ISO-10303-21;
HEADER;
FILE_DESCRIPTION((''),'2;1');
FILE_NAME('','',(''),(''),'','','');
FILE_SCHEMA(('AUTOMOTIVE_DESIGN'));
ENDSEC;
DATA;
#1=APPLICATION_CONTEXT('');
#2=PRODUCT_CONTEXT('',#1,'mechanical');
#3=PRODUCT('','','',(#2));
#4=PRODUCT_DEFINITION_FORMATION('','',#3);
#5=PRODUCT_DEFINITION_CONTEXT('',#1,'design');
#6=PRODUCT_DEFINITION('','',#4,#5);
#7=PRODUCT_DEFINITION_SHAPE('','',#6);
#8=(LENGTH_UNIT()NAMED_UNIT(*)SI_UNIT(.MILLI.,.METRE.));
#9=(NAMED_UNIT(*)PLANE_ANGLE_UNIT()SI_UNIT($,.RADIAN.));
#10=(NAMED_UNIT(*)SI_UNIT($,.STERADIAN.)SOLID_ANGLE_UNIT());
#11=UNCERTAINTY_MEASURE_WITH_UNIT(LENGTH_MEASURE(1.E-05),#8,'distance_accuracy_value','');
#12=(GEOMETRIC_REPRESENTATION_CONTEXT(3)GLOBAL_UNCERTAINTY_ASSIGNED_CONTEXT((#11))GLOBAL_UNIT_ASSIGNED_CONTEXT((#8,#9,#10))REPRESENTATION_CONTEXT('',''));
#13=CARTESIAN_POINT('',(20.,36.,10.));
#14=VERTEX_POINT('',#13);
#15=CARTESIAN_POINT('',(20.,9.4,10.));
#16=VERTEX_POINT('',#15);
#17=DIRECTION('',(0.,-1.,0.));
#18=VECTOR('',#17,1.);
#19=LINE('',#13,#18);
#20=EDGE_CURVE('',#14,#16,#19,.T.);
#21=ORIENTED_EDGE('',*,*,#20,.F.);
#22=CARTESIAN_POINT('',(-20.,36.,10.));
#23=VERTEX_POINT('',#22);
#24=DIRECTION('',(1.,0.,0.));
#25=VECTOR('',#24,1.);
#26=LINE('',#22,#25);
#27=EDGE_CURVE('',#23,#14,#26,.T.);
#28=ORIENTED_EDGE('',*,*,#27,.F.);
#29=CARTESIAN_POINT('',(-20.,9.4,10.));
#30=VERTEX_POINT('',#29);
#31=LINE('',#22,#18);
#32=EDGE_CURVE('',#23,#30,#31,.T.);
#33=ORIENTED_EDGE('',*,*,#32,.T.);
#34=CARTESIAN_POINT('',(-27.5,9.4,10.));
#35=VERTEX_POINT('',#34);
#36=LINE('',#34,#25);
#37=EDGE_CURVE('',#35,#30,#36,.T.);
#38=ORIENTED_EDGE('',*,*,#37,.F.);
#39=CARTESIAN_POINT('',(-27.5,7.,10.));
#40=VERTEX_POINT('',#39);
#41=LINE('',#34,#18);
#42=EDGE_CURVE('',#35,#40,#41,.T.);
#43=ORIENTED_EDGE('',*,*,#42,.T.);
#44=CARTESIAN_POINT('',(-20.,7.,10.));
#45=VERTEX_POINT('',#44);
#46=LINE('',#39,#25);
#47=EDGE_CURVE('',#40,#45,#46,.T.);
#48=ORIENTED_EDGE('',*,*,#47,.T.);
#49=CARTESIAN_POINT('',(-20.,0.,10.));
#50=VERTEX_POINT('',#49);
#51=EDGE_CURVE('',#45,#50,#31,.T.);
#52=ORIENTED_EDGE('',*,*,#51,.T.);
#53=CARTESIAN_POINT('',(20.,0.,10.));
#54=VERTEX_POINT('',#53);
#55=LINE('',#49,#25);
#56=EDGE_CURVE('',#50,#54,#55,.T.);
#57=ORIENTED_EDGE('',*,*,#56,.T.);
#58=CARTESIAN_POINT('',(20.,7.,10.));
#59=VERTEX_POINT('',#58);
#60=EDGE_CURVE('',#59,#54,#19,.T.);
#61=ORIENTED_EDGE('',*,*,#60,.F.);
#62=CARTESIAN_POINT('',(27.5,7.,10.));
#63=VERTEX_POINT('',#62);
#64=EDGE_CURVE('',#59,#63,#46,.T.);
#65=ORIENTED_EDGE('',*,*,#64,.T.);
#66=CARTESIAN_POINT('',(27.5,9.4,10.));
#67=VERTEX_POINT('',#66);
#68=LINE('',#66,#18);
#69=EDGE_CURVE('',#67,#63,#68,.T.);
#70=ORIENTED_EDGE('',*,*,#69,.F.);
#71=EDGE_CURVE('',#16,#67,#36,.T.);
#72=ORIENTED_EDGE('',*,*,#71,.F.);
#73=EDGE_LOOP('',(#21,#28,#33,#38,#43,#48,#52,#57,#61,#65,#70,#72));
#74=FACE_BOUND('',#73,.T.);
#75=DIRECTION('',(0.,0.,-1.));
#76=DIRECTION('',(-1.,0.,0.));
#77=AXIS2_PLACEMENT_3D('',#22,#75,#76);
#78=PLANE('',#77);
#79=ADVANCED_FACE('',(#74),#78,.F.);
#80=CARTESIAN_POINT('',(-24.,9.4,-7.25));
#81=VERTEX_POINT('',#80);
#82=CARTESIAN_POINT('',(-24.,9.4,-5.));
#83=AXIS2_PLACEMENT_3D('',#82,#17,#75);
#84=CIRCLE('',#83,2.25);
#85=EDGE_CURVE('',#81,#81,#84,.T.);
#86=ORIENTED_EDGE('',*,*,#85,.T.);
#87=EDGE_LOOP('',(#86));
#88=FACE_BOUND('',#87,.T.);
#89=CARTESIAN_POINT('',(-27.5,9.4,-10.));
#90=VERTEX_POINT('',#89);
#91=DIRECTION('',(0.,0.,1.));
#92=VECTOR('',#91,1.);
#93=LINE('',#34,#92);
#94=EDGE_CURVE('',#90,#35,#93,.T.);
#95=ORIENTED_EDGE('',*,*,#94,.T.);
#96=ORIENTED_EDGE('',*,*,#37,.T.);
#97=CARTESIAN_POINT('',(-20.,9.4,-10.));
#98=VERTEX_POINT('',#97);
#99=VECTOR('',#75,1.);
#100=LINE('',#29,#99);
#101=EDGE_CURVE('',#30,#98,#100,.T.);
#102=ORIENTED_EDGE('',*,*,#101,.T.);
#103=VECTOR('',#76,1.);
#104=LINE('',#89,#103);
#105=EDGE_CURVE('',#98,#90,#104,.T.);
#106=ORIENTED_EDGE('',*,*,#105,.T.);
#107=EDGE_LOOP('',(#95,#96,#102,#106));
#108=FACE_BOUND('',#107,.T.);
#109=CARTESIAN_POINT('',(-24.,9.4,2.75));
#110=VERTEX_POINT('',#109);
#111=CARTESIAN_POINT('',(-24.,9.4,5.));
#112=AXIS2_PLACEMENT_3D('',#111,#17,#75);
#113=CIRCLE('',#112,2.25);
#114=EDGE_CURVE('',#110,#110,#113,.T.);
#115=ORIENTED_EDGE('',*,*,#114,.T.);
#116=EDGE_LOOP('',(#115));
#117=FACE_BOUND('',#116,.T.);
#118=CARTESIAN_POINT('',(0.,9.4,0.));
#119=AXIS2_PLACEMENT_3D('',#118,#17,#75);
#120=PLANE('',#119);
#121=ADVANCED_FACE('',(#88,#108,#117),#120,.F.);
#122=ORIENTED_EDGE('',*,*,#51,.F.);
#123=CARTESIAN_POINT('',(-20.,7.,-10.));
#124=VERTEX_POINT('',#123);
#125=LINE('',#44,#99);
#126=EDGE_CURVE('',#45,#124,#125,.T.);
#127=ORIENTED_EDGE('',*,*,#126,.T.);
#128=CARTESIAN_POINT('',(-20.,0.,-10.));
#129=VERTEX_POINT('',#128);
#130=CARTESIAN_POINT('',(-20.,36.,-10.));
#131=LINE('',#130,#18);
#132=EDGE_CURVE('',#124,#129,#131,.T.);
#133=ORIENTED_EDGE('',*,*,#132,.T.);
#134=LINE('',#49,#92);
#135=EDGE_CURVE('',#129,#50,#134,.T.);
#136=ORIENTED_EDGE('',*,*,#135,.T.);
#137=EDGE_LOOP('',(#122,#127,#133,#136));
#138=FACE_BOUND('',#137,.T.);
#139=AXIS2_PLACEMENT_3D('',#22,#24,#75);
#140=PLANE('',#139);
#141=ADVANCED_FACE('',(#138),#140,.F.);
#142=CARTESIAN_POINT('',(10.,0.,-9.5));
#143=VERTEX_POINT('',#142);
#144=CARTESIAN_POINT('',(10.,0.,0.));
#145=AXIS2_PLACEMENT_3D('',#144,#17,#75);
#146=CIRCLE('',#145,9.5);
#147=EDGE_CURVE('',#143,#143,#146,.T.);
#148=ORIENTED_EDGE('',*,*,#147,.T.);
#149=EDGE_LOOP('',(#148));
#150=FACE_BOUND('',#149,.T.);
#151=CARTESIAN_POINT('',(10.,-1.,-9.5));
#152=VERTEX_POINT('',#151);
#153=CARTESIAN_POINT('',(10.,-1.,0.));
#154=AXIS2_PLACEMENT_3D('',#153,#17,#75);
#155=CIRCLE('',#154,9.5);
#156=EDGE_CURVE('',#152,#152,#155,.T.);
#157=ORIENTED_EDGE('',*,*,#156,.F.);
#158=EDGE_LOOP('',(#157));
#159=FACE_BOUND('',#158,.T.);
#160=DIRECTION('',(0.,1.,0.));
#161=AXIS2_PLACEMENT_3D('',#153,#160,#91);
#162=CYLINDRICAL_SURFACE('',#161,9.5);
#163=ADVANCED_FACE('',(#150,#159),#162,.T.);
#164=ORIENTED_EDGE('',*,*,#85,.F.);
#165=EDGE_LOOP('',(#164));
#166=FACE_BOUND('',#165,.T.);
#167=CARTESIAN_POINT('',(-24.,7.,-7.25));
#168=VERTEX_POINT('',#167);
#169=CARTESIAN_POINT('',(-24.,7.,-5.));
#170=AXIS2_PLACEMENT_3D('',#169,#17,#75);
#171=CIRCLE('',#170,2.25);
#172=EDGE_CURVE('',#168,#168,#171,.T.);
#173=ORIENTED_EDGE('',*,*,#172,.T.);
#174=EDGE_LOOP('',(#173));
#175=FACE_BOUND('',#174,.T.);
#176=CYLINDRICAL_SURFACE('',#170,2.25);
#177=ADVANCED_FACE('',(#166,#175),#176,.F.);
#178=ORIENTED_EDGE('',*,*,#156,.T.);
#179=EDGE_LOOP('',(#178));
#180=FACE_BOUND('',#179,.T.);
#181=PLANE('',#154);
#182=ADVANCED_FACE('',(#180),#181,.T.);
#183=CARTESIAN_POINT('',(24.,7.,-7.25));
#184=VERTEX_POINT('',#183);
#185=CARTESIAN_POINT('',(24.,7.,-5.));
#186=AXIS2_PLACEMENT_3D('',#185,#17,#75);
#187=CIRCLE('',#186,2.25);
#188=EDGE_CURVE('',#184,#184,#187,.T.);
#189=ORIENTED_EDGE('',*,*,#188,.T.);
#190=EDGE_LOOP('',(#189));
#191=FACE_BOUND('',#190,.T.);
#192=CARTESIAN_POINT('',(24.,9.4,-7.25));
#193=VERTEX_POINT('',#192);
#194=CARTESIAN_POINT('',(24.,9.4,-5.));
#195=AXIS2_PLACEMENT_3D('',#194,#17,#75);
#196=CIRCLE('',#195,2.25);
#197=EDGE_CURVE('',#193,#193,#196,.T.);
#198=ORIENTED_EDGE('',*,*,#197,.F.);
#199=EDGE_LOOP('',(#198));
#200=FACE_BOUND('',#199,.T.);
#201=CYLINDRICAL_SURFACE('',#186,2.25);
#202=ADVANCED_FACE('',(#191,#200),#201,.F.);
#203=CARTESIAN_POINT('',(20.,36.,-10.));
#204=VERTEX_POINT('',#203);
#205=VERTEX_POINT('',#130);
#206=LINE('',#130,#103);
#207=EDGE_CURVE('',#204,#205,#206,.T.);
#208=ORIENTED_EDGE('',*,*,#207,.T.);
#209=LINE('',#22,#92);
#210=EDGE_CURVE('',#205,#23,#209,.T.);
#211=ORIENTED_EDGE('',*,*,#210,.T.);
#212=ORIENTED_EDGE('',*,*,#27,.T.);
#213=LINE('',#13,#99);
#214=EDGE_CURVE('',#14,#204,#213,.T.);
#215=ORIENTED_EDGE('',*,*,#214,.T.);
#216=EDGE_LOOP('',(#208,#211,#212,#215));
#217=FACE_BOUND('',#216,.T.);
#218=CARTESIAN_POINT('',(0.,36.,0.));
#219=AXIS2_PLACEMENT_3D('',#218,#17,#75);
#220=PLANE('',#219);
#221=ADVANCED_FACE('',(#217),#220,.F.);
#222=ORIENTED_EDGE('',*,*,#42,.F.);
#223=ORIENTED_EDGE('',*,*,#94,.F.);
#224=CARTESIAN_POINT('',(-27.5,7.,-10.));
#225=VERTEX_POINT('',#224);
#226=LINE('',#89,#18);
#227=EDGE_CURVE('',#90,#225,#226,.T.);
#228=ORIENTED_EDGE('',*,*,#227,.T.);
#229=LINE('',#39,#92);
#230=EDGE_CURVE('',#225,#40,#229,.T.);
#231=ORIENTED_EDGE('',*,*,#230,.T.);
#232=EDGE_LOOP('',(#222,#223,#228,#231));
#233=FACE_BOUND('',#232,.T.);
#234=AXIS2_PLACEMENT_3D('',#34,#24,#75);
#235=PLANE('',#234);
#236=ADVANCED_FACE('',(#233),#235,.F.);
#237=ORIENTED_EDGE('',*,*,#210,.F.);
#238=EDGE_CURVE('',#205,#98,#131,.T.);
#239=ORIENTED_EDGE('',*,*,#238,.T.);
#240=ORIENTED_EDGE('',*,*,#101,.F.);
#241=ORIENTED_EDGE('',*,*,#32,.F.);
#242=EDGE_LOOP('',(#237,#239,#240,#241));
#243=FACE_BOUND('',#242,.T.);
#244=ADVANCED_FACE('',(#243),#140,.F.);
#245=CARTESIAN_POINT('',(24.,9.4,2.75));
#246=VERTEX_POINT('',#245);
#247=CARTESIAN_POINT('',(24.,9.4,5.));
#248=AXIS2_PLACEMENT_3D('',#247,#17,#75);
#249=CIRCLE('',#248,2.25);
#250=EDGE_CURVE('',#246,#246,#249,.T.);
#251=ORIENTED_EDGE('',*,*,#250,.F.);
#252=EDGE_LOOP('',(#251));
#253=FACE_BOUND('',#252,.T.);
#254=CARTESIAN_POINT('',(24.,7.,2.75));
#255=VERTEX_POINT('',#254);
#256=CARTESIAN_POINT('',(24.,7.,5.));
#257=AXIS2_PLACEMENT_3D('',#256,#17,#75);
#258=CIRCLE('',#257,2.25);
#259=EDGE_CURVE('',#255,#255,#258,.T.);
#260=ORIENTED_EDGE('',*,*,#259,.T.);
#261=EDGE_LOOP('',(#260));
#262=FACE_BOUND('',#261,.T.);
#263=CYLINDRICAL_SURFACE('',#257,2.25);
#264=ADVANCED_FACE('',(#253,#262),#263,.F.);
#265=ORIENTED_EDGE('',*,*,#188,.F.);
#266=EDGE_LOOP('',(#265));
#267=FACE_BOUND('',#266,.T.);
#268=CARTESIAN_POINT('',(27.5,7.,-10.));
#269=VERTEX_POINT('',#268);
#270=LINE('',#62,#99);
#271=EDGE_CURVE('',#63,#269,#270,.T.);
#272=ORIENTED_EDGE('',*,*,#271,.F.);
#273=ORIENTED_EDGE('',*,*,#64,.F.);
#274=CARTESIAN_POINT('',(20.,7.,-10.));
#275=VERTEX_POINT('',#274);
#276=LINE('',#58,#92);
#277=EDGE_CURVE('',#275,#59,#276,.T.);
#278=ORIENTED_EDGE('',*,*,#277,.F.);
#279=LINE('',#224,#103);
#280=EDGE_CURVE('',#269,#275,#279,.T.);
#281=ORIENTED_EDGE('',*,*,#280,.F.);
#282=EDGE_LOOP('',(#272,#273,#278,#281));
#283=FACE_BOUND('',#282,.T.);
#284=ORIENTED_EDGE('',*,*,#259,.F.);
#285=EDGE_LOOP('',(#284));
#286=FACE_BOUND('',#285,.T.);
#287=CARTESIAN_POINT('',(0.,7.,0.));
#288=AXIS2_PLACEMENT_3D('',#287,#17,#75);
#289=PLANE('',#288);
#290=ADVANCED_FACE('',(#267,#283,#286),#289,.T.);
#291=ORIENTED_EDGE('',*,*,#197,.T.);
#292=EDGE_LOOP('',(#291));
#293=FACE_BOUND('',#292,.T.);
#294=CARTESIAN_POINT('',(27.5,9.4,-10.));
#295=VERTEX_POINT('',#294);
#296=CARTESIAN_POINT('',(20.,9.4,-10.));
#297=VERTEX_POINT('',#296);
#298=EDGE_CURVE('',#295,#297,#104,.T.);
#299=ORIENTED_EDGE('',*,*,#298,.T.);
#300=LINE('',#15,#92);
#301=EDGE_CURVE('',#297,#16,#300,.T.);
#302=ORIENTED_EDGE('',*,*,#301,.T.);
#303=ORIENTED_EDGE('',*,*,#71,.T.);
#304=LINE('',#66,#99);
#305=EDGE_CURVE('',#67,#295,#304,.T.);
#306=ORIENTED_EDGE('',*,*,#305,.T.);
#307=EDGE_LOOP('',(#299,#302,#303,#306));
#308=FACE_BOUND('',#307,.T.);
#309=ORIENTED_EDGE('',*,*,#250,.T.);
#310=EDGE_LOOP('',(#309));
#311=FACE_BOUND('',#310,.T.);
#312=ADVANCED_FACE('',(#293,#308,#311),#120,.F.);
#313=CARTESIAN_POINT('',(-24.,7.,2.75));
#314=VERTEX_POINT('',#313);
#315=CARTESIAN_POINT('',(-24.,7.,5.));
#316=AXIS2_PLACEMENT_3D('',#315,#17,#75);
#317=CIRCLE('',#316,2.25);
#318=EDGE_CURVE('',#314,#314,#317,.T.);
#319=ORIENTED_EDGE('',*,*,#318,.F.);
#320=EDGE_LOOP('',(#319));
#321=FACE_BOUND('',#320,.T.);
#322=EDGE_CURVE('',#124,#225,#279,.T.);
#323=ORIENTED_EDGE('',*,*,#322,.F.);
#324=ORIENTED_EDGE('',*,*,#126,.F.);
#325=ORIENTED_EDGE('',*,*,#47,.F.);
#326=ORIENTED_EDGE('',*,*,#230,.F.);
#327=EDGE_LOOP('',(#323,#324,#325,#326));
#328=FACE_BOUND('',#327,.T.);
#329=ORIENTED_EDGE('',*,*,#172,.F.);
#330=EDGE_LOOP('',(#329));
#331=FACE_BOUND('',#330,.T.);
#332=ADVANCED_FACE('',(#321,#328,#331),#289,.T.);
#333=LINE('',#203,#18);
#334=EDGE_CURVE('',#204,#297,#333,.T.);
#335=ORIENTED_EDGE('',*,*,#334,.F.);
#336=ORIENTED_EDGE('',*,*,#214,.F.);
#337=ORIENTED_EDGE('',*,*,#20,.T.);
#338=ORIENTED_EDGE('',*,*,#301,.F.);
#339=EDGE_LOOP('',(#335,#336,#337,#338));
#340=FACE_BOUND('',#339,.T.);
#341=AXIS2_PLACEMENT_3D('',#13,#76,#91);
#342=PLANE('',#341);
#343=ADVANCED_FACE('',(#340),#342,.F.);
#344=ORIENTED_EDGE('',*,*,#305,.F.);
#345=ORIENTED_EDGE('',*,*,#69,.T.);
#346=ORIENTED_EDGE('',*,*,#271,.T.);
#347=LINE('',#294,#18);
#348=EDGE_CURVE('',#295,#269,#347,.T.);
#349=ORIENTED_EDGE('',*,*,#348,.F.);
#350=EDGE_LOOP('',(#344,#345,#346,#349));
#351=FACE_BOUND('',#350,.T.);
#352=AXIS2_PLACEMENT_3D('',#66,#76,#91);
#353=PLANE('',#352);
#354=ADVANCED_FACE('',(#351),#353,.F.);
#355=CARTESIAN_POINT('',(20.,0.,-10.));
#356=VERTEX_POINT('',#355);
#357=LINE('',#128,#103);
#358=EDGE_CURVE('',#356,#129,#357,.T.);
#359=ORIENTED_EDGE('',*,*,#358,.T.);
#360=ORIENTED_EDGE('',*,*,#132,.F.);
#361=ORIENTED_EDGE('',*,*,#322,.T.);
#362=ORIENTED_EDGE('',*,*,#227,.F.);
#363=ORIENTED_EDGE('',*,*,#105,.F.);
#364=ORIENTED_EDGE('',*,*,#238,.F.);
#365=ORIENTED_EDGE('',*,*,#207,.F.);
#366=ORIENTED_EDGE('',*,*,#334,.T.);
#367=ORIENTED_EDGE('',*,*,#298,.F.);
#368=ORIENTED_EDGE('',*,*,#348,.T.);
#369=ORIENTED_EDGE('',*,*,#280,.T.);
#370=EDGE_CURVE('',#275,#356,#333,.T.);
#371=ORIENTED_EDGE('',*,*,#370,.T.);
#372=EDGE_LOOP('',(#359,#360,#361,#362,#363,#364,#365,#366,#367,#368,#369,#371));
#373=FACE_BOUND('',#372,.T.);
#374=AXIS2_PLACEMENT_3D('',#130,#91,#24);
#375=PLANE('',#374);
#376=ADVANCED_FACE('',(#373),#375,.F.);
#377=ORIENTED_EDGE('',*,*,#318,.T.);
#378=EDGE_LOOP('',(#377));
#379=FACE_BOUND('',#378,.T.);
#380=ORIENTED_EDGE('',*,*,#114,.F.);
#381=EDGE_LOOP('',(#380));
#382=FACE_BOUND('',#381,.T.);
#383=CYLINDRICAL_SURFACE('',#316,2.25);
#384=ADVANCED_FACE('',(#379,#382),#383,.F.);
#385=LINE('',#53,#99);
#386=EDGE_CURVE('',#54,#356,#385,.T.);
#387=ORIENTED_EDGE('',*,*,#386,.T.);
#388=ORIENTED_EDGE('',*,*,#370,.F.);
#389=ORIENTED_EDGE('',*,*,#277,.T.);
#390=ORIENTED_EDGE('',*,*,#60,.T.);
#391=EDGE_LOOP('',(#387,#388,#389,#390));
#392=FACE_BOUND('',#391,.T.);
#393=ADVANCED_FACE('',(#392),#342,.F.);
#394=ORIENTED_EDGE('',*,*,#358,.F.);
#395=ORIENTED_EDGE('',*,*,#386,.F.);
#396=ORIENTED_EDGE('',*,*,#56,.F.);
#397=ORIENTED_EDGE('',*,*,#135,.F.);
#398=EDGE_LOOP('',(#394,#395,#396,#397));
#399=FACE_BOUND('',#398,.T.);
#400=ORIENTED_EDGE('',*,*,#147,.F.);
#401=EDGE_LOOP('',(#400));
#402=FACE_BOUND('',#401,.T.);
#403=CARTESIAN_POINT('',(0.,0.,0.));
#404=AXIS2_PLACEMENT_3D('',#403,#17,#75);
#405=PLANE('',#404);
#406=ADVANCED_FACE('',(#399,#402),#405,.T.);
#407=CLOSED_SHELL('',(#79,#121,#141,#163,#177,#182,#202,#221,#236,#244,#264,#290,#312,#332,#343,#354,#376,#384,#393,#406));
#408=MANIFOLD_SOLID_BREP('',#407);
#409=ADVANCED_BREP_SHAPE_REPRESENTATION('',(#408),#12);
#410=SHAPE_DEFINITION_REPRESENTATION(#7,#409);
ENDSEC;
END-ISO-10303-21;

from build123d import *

# Parameters (mm, degrees)
SKETCH1_W            = 40
SKETCH1_H            = 20
BOSS_EXTRUDE1_DEPTH  = 36
SKETCH2_W            = 55
SKETCH2_H            = 20
BOSS_EXTRUDE2_DEPTH  = 2.4
M4_CLEARANCE_HOLE1_D = 4.5
SKETCH5_R            = 9.5
BOSS_EXTRUDE3_DEPTH  = 1


with BuildPart() as part:
    # Sketch1 → Boss-Extrude1 (new body)
    with BuildSketch(Plane(origin=(0, 0, 0), x_dir=(1, 0, 0), z_dir=(0, 1, 0))):
        Rectangle(SKETCH1_W, SKETCH1_H)
    extrude(amount=BOSS_EXTRUDE1_DEPTH)

    # Sketch2 → Boss-Extrude2 (add)
    with BuildSketch(Plane(origin=(0, 7, 0), x_dir=(1, 0, 0), z_dir=(0, 1, 0))):
        Rectangle(SKETCH2_W, SKETCH2_H)
    extrude(amount=BOSS_EXTRUDE2_DEPTH)

    # M4 Clearance Hole1 (through all)
    with Locations(Plane(origin=(0, 7, 0), x_dir=(-1, 0, 0), z_dir=(0, -1, 0))):
        with Locations((-24, 5), (-24, -5)):
            m4_clearance_hole1 = Hole(M4_CLEARANCE_HOLE1_D / 2)

    # Mirror1: M4 Clearance Hole1 across plane
    add(m4_clearance_hole1.mirror(Plane(origin=(0, 0, 0), x_dir=(0, 0, 1), z_dir=(1, 0, 0))), mode=Mode.SUBTRACT)

    # Sketch5 → Boss-Extrude3 (add)
    with BuildSketch(Plane.XZ):
        with Locations(Location((10, 0, 0), (0, 0, 270))):
            Circle(SKETCH5_R)
    extrude(amount=BOSS_EXTRUDE3_DEPTH)


solid = part.part
